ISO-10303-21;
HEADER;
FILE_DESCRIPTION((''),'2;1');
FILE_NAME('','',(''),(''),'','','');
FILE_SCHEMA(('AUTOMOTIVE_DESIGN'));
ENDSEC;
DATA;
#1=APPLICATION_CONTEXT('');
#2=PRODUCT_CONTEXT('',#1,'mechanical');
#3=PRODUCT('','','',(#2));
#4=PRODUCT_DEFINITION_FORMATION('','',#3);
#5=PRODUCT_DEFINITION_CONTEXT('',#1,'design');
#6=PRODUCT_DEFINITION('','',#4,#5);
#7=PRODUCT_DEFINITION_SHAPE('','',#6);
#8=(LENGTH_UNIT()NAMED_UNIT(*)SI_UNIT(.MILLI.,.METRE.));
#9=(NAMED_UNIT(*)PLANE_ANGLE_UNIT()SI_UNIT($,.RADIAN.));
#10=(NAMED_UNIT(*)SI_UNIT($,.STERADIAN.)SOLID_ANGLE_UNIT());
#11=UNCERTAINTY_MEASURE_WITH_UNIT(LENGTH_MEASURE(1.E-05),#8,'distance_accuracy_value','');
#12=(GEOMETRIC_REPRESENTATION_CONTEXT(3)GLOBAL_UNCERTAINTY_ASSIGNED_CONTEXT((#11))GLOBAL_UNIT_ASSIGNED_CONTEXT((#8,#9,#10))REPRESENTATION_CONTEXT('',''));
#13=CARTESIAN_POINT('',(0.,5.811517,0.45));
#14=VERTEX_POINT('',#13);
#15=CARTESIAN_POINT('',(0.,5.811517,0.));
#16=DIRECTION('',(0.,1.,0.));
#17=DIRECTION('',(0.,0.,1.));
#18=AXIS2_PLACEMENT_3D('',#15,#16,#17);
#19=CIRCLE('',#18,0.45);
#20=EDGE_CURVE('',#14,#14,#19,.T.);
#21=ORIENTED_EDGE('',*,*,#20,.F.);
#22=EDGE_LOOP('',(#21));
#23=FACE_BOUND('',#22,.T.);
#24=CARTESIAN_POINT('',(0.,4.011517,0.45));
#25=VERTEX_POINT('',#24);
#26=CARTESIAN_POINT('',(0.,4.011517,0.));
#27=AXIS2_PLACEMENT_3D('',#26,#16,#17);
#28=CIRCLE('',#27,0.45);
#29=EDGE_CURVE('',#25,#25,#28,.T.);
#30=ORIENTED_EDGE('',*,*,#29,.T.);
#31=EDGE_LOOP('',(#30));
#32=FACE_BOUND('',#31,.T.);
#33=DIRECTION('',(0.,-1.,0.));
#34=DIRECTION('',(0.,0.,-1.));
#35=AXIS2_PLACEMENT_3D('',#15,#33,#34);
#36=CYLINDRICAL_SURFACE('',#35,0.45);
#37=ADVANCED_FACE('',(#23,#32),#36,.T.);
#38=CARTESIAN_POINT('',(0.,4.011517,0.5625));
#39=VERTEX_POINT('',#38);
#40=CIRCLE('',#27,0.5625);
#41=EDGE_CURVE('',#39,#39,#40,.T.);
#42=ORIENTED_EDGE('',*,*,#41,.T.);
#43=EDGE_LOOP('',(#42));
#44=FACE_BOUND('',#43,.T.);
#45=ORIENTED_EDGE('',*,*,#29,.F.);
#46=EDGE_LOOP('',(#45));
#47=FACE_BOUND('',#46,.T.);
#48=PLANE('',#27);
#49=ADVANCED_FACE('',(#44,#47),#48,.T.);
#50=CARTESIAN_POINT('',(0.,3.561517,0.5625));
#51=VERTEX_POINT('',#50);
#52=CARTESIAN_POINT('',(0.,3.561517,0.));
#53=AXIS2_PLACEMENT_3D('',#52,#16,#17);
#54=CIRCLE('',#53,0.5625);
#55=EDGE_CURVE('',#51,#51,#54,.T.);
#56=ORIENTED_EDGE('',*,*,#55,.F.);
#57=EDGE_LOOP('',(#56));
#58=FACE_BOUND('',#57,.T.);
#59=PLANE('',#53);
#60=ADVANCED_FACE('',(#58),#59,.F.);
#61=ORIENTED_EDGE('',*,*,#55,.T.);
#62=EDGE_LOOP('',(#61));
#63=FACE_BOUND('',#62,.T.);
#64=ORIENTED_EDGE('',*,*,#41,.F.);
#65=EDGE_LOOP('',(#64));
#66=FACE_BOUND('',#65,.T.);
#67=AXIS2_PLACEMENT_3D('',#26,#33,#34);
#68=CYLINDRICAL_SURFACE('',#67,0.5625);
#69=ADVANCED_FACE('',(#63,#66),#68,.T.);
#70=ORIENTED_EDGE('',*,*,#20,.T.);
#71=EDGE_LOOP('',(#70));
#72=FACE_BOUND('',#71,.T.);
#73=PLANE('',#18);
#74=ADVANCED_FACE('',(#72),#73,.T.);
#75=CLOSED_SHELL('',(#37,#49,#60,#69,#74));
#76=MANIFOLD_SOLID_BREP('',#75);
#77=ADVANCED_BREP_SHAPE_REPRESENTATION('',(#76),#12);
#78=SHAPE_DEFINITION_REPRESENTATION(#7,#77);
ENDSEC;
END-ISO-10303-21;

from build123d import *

# Parameters (mm, degrees)
SKETCH1_R           = 2.5
BOSS_EXTRUDE1_DEPTH = 2
SKETCH2_R           = 2
BOSS_EXTRUDE2_DEPTH = 8
SCALE1_SCALE        = 0.225


with BuildPart() as part:
    # Sketch1 → Boss-Extrude1 (new body)
    with BuildSketch(Plane(origin=(0, 0, 0), x_dir=(1, 0, 0), z_dir=(0, 1, 0))):
        Circle(SKETCH1_R)
    extrude(amount=BOSS_EXTRUDE1_DEPTH)

    # Sketch2 → Boss-Extrude2 (add)
    with BuildSketch(Plane(origin=(0, 2, 0), x_dir=(1, 0, 0), z_dir=(0, 1, 0))):
        Circle(SKETCH2_R)
    extrude(amount=BOSS_EXTRUDE2_DEPTH)


with BuildPart() as part_1:
    # Scale1: scaled about (0, 4.595505618, 0)
    add(part.part.scale(SCALE1_SCALE).moved(Location((0, 3.561516854, 0))))


solid = part_1.part
